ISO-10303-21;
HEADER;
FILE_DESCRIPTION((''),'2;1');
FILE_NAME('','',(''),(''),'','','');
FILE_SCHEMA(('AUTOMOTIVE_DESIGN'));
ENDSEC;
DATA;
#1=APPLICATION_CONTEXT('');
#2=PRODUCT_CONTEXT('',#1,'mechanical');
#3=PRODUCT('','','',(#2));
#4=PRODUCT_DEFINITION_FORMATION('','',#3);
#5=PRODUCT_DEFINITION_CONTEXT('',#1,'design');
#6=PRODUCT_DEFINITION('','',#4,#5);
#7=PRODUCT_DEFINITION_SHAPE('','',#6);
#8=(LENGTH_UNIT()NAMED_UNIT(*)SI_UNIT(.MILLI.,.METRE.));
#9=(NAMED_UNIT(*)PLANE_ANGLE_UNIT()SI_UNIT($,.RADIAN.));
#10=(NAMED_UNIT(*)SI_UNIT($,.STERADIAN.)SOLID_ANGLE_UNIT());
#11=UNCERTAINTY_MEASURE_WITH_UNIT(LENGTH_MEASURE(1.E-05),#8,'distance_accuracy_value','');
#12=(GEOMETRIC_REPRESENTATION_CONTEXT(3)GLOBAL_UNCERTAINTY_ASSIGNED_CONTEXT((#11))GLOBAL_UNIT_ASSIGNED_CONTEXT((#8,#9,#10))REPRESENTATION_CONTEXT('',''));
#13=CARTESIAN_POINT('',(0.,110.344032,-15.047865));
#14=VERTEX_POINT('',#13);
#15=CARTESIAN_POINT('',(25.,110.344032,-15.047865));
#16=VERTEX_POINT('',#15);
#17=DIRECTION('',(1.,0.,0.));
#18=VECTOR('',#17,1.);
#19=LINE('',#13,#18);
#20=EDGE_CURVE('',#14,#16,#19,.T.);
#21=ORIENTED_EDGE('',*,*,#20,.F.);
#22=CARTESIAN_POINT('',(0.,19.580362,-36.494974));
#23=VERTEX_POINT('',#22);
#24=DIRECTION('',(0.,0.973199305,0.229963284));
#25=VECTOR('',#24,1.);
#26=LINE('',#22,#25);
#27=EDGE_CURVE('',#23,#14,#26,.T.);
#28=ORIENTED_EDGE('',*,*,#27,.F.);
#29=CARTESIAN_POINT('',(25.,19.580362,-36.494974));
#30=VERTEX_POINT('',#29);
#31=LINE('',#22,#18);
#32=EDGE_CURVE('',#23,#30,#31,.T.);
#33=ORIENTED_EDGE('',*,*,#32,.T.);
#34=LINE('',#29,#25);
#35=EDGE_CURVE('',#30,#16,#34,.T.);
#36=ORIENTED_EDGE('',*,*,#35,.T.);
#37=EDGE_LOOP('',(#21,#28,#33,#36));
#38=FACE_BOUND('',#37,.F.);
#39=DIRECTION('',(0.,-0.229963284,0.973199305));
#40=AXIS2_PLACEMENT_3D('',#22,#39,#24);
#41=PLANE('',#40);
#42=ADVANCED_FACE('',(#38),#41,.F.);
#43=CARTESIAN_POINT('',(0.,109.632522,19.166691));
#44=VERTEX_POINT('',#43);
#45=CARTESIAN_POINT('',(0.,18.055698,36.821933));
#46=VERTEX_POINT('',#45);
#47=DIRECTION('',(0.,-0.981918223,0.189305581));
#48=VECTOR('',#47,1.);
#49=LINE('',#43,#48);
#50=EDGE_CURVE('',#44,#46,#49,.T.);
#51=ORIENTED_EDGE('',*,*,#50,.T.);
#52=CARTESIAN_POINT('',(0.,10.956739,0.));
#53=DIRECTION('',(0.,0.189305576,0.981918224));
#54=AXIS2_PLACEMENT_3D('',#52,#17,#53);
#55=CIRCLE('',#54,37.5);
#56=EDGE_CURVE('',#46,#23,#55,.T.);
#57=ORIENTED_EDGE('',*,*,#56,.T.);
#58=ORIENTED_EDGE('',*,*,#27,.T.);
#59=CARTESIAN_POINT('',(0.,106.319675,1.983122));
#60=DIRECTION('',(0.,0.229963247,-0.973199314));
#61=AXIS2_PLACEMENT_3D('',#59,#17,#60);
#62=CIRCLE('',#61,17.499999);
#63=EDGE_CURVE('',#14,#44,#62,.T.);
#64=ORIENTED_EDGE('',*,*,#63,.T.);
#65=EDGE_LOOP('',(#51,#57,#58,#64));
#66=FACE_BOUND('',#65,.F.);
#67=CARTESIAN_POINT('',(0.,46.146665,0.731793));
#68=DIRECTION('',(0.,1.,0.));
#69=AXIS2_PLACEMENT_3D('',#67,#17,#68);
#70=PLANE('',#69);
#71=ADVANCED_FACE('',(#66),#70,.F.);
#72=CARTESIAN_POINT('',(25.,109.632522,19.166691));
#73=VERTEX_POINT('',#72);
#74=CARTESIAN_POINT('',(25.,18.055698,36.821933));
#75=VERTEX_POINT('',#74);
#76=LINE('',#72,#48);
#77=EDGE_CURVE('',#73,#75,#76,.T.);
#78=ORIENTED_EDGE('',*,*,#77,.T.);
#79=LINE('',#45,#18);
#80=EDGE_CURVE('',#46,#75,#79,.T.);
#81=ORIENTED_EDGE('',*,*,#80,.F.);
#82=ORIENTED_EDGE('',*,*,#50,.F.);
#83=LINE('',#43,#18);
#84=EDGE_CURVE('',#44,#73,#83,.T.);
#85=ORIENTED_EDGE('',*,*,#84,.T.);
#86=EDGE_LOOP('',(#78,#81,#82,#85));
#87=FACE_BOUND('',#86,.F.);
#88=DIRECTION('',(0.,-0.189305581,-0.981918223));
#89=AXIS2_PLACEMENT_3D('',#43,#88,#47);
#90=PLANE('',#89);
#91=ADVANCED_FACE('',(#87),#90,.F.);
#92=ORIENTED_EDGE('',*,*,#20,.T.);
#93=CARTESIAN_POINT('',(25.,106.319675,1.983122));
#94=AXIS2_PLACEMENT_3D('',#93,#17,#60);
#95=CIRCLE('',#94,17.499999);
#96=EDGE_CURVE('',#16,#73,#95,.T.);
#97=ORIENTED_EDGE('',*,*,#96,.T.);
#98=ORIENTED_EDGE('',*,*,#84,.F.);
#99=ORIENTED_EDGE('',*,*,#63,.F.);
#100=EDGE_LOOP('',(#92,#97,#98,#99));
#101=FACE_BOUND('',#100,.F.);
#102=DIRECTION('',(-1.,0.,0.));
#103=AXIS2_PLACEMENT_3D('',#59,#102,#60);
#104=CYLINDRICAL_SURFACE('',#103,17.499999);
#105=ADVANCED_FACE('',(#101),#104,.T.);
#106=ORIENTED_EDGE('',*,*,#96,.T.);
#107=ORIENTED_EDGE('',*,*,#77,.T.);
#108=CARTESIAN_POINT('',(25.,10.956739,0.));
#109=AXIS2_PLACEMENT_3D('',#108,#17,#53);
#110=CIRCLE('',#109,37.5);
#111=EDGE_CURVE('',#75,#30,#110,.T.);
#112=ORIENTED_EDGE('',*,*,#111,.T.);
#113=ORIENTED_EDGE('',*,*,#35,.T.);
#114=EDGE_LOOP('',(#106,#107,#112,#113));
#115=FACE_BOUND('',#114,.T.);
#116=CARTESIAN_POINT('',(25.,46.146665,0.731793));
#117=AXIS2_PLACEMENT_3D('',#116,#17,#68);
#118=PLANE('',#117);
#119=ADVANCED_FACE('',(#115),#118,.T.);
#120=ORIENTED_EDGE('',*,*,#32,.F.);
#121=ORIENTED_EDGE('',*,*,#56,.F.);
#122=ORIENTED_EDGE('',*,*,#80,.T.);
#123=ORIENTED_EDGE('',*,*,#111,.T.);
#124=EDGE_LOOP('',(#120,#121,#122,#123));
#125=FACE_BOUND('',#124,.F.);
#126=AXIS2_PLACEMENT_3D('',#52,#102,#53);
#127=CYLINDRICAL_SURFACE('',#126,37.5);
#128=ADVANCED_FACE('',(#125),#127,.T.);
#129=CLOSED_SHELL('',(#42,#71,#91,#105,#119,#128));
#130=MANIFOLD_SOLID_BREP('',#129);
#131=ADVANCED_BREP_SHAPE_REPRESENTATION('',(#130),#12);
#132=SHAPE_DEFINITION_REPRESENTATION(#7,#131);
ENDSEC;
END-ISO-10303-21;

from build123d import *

# Parameters (mm, degrees)
F1_DEPTH = 25


with BuildPart() as f1:
    # F0 (on Right) → F1 (new body)
    with BuildSketch(Plane.YZ):
        with BuildLine():
            Line((109.632522, 19.166691), (18.055698, 36.821933))
            ThreePointArc((18.055698, 36.821933), (-26.535155, -0.779664), (19.580362, -36.494974))
            Line((19.580362, -36.494974), (110.344032, -15.047865))
            ThreePointArc((110.344032, -15.047865), (123.815892, 2.346966), (109.632522, 19.166691))
        make_face()
    extrude(amount=F1_DEPTH)


solid = f1.part
